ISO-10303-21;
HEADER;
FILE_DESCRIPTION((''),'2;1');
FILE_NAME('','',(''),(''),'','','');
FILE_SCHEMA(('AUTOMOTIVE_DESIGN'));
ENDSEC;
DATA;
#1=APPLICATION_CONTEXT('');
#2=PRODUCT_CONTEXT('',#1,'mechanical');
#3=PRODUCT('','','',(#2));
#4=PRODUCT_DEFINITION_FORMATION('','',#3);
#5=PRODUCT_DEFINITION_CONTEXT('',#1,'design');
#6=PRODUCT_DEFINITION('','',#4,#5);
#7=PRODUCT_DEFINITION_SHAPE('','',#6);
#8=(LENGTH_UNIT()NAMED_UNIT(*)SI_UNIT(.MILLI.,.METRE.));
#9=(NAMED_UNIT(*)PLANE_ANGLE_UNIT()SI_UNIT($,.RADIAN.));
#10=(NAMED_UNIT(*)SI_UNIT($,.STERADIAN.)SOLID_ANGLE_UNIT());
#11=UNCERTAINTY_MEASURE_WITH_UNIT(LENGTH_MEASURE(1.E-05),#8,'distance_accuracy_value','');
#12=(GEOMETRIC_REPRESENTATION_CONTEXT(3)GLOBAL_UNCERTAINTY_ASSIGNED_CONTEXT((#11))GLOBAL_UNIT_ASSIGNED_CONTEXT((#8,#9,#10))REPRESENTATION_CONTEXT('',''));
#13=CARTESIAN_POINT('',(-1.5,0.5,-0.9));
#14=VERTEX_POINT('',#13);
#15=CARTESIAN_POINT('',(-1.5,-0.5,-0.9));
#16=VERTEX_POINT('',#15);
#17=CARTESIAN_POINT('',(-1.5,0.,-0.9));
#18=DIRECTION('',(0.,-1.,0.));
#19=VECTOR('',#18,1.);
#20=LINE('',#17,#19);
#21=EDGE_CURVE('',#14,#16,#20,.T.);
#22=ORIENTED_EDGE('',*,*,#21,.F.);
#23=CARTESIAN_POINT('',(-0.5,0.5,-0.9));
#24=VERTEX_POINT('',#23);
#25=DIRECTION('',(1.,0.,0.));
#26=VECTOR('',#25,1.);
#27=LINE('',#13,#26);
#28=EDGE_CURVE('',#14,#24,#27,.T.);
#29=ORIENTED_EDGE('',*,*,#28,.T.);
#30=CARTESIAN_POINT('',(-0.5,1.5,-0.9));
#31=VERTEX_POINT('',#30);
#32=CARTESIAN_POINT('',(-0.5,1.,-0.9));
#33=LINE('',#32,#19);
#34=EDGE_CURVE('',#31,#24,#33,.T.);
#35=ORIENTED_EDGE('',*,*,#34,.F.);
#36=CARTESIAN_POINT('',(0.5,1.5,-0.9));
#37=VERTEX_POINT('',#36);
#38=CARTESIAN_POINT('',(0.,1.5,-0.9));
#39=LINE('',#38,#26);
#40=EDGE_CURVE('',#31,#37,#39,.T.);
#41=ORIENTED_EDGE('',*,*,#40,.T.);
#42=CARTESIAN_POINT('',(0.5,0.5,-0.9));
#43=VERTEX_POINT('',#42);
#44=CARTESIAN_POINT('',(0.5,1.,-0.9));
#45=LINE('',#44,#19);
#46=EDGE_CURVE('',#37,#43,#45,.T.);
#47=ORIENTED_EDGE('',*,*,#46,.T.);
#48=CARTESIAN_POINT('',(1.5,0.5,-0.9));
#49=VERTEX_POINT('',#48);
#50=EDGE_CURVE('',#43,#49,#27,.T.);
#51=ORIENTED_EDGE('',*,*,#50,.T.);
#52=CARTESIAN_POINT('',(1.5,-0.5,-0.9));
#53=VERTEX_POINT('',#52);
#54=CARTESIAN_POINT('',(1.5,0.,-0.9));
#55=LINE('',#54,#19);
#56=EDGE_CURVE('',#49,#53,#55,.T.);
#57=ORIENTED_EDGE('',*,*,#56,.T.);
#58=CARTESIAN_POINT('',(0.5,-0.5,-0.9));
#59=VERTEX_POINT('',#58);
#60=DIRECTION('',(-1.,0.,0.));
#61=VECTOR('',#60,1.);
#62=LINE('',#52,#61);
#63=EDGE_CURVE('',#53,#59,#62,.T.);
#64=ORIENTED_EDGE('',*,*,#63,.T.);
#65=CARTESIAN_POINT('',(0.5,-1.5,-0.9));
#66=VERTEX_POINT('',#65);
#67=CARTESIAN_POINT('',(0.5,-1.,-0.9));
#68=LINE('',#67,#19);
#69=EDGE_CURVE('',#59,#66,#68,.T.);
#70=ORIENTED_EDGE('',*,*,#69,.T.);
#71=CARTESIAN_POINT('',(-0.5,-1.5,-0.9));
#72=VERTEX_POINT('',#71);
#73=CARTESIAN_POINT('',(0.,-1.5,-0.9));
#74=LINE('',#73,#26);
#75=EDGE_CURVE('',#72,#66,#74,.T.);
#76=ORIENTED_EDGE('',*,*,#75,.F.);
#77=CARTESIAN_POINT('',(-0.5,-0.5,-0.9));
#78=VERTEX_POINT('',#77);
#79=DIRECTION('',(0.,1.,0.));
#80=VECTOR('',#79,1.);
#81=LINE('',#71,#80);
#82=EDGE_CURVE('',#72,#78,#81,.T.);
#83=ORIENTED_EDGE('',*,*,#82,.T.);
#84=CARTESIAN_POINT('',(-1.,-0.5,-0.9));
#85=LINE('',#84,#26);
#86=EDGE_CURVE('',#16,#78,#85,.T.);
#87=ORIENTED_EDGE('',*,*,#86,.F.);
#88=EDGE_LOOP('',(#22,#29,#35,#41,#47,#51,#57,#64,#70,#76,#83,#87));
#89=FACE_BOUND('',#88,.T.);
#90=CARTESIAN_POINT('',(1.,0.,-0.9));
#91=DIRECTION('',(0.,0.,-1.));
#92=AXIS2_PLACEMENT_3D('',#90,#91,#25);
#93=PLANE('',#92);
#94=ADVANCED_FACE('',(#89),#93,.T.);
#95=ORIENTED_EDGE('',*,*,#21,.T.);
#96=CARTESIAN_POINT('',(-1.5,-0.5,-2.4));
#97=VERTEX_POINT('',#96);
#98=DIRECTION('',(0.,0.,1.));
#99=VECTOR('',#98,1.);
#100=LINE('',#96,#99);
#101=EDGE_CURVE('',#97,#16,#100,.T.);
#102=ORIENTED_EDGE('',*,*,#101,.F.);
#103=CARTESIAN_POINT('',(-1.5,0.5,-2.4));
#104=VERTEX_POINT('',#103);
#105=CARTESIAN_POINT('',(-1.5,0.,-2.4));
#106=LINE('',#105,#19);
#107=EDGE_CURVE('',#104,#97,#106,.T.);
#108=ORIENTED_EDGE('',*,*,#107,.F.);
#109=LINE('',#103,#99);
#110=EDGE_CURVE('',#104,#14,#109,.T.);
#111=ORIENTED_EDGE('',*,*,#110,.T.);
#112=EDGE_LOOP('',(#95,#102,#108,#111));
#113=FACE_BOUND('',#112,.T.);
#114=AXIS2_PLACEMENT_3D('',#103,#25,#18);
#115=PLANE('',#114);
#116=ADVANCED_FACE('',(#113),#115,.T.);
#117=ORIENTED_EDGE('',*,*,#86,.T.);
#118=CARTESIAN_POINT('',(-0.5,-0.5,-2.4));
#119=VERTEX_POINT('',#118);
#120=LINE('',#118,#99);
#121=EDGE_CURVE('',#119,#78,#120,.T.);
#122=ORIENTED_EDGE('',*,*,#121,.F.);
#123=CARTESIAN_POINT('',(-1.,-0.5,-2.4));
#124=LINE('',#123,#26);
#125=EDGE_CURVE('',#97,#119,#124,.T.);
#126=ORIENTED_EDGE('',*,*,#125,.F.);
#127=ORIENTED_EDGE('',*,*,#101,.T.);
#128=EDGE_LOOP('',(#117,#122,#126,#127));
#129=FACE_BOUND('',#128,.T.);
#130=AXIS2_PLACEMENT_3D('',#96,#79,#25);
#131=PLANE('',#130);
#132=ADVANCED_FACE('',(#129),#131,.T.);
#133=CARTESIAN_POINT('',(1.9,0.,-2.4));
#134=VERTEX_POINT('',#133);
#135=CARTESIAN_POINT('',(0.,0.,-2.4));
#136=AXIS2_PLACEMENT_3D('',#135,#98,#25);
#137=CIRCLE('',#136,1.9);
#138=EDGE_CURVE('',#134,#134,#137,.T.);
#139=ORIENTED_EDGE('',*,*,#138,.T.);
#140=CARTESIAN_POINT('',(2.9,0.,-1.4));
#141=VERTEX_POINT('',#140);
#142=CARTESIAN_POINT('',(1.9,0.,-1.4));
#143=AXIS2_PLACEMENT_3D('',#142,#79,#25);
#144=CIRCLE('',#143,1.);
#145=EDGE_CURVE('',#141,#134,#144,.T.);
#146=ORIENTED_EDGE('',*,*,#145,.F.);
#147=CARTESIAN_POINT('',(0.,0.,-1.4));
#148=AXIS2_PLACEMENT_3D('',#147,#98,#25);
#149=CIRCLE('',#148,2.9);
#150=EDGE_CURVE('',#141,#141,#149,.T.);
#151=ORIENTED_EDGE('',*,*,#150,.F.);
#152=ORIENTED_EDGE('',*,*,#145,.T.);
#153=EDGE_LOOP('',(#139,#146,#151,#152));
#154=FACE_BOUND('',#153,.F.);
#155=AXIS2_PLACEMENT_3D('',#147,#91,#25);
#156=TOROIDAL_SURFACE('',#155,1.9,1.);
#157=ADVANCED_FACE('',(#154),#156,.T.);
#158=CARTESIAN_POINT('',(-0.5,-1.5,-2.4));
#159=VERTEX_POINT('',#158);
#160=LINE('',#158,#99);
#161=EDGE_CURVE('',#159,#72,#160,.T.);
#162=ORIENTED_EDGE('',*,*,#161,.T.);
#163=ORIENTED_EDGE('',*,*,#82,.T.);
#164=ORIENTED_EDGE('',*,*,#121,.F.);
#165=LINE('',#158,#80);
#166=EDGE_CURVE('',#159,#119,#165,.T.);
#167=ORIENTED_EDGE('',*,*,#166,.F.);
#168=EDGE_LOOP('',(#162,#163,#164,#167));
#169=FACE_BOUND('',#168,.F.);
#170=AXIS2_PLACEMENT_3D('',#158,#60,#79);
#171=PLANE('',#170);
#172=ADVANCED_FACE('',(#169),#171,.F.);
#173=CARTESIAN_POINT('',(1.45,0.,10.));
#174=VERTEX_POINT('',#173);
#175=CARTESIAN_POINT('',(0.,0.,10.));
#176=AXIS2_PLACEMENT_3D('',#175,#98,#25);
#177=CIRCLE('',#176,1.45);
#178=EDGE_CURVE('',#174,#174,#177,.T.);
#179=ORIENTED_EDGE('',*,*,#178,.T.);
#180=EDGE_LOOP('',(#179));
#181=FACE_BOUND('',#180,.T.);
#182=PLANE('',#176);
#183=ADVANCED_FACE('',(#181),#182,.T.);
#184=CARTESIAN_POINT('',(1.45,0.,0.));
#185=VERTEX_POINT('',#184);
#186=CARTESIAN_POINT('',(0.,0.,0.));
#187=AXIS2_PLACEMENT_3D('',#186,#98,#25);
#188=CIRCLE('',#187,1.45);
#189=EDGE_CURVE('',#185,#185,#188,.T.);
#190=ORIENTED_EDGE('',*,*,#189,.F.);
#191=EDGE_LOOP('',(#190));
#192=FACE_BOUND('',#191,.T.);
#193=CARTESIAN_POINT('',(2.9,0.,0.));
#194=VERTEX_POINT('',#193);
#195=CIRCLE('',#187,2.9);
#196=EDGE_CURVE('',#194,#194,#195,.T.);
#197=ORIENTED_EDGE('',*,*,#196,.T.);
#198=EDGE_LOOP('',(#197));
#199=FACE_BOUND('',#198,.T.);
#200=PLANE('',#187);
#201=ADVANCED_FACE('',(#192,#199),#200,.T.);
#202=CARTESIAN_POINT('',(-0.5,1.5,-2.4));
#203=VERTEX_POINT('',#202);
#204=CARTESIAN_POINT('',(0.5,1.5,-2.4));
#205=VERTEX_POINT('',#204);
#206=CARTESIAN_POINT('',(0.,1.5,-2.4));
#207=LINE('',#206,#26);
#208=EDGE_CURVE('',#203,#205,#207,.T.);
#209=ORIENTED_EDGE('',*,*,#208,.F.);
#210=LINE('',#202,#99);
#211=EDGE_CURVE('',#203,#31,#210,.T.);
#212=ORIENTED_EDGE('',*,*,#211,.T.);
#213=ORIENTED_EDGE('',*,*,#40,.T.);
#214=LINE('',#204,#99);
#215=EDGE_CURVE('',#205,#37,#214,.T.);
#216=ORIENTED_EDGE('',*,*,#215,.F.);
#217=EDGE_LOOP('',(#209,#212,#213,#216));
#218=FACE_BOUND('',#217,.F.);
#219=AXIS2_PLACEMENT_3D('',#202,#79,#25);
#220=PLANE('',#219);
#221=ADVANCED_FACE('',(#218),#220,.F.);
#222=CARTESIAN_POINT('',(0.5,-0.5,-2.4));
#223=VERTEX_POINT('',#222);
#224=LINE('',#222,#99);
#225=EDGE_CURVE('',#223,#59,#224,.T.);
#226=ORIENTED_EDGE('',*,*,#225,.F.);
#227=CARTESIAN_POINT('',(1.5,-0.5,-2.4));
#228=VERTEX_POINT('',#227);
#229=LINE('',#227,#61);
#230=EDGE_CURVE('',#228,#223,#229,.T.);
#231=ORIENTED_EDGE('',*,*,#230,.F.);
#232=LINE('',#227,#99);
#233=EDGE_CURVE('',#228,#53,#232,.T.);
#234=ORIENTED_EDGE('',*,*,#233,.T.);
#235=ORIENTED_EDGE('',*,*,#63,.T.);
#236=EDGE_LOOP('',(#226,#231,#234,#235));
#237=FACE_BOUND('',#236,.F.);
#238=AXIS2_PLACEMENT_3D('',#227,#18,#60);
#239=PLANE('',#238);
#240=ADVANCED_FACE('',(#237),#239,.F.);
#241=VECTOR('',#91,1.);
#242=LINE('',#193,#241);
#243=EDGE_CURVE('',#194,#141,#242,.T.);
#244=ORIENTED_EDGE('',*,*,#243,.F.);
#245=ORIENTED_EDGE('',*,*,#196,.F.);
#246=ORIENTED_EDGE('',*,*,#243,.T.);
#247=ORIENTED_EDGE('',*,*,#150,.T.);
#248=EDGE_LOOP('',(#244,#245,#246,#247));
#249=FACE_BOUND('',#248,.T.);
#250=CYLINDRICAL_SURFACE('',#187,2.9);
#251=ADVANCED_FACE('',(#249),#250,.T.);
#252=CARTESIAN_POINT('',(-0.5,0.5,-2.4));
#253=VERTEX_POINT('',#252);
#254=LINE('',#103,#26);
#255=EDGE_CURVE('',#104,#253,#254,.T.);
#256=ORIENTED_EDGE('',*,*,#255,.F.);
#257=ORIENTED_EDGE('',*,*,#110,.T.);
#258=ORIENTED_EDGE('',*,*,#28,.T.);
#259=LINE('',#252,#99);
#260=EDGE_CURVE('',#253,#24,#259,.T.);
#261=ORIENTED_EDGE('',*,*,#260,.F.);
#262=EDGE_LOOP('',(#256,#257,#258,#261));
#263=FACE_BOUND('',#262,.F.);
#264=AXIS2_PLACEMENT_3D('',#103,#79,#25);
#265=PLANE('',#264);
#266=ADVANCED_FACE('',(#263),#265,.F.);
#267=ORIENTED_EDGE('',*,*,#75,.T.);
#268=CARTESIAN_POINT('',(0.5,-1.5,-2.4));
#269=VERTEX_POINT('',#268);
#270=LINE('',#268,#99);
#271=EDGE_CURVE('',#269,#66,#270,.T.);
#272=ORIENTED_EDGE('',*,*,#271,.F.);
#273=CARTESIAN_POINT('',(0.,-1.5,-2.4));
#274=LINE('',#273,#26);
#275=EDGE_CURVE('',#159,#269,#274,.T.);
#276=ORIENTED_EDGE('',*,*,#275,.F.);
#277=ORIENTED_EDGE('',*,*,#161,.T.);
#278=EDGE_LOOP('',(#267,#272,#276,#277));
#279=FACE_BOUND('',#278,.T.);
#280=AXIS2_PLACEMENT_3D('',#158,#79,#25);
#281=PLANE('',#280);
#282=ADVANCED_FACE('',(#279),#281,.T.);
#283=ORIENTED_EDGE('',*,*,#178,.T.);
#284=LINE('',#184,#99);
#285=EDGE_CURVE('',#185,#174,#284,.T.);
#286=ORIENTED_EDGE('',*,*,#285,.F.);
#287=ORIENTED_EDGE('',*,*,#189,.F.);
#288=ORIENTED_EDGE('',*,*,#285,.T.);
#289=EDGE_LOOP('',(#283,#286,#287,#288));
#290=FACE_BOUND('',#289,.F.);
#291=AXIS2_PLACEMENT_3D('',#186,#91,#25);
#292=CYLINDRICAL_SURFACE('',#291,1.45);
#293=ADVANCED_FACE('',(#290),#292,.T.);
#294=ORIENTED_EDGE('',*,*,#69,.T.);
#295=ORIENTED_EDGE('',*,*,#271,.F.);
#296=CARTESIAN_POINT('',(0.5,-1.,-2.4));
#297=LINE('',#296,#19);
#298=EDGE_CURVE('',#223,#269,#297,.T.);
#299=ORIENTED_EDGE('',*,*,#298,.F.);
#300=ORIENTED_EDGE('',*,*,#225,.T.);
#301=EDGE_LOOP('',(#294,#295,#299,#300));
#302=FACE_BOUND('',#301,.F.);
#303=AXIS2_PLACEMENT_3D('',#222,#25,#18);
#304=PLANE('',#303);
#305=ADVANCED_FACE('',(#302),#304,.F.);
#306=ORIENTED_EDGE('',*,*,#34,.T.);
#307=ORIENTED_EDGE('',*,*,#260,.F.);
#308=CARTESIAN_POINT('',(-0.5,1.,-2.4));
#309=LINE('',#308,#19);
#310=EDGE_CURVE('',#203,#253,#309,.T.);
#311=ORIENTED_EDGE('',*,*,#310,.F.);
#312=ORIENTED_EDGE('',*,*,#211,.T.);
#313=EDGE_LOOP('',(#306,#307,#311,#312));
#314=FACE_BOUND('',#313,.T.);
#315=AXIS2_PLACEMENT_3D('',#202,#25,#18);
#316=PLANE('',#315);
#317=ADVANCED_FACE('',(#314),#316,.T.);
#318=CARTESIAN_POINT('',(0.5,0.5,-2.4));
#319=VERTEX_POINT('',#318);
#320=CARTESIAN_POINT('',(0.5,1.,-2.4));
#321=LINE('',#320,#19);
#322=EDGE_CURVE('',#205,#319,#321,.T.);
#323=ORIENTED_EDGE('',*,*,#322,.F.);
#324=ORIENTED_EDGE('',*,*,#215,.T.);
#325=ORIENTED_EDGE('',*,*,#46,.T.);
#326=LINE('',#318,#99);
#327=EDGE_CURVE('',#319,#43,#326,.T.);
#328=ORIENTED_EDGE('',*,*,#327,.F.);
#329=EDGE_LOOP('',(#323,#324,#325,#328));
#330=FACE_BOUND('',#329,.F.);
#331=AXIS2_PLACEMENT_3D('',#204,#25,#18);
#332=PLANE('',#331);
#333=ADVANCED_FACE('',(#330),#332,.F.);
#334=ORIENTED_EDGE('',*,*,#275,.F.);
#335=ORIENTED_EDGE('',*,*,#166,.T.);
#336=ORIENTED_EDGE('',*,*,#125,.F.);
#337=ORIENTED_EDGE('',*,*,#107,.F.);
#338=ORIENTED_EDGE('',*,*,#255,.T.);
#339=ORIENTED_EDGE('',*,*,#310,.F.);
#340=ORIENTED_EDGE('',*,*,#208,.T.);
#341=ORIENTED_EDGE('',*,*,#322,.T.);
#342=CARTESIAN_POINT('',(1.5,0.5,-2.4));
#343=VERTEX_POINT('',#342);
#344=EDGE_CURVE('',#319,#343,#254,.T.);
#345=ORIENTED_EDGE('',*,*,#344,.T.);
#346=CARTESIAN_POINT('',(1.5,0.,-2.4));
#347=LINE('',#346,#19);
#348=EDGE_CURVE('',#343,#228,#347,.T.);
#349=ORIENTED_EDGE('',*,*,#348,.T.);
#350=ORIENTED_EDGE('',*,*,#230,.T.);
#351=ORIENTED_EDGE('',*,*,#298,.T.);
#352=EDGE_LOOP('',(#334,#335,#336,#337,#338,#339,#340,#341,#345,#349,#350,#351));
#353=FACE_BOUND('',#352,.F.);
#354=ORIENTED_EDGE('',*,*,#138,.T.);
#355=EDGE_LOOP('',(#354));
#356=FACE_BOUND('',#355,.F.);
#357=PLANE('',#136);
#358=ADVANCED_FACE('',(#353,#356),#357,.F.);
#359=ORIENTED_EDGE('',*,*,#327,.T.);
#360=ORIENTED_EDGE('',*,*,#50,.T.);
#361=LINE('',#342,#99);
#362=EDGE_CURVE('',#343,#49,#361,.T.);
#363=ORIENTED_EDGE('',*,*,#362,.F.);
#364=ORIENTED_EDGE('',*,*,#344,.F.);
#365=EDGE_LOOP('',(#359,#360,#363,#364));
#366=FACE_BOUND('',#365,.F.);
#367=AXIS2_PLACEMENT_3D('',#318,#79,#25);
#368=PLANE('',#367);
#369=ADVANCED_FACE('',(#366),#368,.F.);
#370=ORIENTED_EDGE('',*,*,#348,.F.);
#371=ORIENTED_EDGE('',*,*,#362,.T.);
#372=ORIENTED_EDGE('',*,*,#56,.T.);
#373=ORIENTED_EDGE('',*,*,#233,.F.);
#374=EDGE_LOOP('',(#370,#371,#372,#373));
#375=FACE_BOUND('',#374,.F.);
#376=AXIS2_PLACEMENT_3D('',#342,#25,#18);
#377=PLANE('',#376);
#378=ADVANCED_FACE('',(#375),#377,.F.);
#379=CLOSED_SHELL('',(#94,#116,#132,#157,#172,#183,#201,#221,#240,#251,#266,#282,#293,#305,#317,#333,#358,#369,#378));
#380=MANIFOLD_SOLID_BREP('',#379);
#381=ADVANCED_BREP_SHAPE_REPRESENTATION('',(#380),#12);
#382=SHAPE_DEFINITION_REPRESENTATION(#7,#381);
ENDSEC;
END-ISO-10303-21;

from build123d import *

# Parameters (mm, degrees)
F0_R     = 1.45
F1_DEPTH = 10
F2_R     = 2.9
F3_DEPTH = 2.4
F4_R     = 1
F5_W     = 1
F5_H     = 1
F6_DEPTH = 1.5


with BuildPart() as f1:
    # F0 (on Top) → F1 (new body)
    with BuildSketch(Plane.XY):
        Circle(F0_R)
    extrude(amount=F1_DEPTH)

    # F2 (on Top) → F3 (join)
    with BuildSketch(Plane.XY):
        Circle(F2_R)
    extrude(amount=-F3_DEPTH)

    # F4
    f4_edges = [f1.edges().sort_by_distance(p)[0] for p in [
        (-2.9, 0, -2.4),
    ]]
    fillet(f4_edges, radius=F4_R)

    # F5 (on face) → F6 (cut)
    with BuildSketch(Plane(origin=(0, 0, -2.4), x_dir=(1, 0, 0), z_dir=(0, 0, -1))):
        with Locations((1, 0)):
            Rectangle(F5_W, F5_H)
        Rectangle(F5_W, F5_H)
        with Locations((0, 1)):
            Rectangle(F5_W, F5_H)
        with Locations((-1, 0)):
            Rectangle(F5_W, F5_H)
        with Locations((0, -1)):
            Rectangle(F5_W, F5_H)
    extrude(amount=-F6_DEPTH, mode=Mode.SUBTRACT)


solid = f1.part
